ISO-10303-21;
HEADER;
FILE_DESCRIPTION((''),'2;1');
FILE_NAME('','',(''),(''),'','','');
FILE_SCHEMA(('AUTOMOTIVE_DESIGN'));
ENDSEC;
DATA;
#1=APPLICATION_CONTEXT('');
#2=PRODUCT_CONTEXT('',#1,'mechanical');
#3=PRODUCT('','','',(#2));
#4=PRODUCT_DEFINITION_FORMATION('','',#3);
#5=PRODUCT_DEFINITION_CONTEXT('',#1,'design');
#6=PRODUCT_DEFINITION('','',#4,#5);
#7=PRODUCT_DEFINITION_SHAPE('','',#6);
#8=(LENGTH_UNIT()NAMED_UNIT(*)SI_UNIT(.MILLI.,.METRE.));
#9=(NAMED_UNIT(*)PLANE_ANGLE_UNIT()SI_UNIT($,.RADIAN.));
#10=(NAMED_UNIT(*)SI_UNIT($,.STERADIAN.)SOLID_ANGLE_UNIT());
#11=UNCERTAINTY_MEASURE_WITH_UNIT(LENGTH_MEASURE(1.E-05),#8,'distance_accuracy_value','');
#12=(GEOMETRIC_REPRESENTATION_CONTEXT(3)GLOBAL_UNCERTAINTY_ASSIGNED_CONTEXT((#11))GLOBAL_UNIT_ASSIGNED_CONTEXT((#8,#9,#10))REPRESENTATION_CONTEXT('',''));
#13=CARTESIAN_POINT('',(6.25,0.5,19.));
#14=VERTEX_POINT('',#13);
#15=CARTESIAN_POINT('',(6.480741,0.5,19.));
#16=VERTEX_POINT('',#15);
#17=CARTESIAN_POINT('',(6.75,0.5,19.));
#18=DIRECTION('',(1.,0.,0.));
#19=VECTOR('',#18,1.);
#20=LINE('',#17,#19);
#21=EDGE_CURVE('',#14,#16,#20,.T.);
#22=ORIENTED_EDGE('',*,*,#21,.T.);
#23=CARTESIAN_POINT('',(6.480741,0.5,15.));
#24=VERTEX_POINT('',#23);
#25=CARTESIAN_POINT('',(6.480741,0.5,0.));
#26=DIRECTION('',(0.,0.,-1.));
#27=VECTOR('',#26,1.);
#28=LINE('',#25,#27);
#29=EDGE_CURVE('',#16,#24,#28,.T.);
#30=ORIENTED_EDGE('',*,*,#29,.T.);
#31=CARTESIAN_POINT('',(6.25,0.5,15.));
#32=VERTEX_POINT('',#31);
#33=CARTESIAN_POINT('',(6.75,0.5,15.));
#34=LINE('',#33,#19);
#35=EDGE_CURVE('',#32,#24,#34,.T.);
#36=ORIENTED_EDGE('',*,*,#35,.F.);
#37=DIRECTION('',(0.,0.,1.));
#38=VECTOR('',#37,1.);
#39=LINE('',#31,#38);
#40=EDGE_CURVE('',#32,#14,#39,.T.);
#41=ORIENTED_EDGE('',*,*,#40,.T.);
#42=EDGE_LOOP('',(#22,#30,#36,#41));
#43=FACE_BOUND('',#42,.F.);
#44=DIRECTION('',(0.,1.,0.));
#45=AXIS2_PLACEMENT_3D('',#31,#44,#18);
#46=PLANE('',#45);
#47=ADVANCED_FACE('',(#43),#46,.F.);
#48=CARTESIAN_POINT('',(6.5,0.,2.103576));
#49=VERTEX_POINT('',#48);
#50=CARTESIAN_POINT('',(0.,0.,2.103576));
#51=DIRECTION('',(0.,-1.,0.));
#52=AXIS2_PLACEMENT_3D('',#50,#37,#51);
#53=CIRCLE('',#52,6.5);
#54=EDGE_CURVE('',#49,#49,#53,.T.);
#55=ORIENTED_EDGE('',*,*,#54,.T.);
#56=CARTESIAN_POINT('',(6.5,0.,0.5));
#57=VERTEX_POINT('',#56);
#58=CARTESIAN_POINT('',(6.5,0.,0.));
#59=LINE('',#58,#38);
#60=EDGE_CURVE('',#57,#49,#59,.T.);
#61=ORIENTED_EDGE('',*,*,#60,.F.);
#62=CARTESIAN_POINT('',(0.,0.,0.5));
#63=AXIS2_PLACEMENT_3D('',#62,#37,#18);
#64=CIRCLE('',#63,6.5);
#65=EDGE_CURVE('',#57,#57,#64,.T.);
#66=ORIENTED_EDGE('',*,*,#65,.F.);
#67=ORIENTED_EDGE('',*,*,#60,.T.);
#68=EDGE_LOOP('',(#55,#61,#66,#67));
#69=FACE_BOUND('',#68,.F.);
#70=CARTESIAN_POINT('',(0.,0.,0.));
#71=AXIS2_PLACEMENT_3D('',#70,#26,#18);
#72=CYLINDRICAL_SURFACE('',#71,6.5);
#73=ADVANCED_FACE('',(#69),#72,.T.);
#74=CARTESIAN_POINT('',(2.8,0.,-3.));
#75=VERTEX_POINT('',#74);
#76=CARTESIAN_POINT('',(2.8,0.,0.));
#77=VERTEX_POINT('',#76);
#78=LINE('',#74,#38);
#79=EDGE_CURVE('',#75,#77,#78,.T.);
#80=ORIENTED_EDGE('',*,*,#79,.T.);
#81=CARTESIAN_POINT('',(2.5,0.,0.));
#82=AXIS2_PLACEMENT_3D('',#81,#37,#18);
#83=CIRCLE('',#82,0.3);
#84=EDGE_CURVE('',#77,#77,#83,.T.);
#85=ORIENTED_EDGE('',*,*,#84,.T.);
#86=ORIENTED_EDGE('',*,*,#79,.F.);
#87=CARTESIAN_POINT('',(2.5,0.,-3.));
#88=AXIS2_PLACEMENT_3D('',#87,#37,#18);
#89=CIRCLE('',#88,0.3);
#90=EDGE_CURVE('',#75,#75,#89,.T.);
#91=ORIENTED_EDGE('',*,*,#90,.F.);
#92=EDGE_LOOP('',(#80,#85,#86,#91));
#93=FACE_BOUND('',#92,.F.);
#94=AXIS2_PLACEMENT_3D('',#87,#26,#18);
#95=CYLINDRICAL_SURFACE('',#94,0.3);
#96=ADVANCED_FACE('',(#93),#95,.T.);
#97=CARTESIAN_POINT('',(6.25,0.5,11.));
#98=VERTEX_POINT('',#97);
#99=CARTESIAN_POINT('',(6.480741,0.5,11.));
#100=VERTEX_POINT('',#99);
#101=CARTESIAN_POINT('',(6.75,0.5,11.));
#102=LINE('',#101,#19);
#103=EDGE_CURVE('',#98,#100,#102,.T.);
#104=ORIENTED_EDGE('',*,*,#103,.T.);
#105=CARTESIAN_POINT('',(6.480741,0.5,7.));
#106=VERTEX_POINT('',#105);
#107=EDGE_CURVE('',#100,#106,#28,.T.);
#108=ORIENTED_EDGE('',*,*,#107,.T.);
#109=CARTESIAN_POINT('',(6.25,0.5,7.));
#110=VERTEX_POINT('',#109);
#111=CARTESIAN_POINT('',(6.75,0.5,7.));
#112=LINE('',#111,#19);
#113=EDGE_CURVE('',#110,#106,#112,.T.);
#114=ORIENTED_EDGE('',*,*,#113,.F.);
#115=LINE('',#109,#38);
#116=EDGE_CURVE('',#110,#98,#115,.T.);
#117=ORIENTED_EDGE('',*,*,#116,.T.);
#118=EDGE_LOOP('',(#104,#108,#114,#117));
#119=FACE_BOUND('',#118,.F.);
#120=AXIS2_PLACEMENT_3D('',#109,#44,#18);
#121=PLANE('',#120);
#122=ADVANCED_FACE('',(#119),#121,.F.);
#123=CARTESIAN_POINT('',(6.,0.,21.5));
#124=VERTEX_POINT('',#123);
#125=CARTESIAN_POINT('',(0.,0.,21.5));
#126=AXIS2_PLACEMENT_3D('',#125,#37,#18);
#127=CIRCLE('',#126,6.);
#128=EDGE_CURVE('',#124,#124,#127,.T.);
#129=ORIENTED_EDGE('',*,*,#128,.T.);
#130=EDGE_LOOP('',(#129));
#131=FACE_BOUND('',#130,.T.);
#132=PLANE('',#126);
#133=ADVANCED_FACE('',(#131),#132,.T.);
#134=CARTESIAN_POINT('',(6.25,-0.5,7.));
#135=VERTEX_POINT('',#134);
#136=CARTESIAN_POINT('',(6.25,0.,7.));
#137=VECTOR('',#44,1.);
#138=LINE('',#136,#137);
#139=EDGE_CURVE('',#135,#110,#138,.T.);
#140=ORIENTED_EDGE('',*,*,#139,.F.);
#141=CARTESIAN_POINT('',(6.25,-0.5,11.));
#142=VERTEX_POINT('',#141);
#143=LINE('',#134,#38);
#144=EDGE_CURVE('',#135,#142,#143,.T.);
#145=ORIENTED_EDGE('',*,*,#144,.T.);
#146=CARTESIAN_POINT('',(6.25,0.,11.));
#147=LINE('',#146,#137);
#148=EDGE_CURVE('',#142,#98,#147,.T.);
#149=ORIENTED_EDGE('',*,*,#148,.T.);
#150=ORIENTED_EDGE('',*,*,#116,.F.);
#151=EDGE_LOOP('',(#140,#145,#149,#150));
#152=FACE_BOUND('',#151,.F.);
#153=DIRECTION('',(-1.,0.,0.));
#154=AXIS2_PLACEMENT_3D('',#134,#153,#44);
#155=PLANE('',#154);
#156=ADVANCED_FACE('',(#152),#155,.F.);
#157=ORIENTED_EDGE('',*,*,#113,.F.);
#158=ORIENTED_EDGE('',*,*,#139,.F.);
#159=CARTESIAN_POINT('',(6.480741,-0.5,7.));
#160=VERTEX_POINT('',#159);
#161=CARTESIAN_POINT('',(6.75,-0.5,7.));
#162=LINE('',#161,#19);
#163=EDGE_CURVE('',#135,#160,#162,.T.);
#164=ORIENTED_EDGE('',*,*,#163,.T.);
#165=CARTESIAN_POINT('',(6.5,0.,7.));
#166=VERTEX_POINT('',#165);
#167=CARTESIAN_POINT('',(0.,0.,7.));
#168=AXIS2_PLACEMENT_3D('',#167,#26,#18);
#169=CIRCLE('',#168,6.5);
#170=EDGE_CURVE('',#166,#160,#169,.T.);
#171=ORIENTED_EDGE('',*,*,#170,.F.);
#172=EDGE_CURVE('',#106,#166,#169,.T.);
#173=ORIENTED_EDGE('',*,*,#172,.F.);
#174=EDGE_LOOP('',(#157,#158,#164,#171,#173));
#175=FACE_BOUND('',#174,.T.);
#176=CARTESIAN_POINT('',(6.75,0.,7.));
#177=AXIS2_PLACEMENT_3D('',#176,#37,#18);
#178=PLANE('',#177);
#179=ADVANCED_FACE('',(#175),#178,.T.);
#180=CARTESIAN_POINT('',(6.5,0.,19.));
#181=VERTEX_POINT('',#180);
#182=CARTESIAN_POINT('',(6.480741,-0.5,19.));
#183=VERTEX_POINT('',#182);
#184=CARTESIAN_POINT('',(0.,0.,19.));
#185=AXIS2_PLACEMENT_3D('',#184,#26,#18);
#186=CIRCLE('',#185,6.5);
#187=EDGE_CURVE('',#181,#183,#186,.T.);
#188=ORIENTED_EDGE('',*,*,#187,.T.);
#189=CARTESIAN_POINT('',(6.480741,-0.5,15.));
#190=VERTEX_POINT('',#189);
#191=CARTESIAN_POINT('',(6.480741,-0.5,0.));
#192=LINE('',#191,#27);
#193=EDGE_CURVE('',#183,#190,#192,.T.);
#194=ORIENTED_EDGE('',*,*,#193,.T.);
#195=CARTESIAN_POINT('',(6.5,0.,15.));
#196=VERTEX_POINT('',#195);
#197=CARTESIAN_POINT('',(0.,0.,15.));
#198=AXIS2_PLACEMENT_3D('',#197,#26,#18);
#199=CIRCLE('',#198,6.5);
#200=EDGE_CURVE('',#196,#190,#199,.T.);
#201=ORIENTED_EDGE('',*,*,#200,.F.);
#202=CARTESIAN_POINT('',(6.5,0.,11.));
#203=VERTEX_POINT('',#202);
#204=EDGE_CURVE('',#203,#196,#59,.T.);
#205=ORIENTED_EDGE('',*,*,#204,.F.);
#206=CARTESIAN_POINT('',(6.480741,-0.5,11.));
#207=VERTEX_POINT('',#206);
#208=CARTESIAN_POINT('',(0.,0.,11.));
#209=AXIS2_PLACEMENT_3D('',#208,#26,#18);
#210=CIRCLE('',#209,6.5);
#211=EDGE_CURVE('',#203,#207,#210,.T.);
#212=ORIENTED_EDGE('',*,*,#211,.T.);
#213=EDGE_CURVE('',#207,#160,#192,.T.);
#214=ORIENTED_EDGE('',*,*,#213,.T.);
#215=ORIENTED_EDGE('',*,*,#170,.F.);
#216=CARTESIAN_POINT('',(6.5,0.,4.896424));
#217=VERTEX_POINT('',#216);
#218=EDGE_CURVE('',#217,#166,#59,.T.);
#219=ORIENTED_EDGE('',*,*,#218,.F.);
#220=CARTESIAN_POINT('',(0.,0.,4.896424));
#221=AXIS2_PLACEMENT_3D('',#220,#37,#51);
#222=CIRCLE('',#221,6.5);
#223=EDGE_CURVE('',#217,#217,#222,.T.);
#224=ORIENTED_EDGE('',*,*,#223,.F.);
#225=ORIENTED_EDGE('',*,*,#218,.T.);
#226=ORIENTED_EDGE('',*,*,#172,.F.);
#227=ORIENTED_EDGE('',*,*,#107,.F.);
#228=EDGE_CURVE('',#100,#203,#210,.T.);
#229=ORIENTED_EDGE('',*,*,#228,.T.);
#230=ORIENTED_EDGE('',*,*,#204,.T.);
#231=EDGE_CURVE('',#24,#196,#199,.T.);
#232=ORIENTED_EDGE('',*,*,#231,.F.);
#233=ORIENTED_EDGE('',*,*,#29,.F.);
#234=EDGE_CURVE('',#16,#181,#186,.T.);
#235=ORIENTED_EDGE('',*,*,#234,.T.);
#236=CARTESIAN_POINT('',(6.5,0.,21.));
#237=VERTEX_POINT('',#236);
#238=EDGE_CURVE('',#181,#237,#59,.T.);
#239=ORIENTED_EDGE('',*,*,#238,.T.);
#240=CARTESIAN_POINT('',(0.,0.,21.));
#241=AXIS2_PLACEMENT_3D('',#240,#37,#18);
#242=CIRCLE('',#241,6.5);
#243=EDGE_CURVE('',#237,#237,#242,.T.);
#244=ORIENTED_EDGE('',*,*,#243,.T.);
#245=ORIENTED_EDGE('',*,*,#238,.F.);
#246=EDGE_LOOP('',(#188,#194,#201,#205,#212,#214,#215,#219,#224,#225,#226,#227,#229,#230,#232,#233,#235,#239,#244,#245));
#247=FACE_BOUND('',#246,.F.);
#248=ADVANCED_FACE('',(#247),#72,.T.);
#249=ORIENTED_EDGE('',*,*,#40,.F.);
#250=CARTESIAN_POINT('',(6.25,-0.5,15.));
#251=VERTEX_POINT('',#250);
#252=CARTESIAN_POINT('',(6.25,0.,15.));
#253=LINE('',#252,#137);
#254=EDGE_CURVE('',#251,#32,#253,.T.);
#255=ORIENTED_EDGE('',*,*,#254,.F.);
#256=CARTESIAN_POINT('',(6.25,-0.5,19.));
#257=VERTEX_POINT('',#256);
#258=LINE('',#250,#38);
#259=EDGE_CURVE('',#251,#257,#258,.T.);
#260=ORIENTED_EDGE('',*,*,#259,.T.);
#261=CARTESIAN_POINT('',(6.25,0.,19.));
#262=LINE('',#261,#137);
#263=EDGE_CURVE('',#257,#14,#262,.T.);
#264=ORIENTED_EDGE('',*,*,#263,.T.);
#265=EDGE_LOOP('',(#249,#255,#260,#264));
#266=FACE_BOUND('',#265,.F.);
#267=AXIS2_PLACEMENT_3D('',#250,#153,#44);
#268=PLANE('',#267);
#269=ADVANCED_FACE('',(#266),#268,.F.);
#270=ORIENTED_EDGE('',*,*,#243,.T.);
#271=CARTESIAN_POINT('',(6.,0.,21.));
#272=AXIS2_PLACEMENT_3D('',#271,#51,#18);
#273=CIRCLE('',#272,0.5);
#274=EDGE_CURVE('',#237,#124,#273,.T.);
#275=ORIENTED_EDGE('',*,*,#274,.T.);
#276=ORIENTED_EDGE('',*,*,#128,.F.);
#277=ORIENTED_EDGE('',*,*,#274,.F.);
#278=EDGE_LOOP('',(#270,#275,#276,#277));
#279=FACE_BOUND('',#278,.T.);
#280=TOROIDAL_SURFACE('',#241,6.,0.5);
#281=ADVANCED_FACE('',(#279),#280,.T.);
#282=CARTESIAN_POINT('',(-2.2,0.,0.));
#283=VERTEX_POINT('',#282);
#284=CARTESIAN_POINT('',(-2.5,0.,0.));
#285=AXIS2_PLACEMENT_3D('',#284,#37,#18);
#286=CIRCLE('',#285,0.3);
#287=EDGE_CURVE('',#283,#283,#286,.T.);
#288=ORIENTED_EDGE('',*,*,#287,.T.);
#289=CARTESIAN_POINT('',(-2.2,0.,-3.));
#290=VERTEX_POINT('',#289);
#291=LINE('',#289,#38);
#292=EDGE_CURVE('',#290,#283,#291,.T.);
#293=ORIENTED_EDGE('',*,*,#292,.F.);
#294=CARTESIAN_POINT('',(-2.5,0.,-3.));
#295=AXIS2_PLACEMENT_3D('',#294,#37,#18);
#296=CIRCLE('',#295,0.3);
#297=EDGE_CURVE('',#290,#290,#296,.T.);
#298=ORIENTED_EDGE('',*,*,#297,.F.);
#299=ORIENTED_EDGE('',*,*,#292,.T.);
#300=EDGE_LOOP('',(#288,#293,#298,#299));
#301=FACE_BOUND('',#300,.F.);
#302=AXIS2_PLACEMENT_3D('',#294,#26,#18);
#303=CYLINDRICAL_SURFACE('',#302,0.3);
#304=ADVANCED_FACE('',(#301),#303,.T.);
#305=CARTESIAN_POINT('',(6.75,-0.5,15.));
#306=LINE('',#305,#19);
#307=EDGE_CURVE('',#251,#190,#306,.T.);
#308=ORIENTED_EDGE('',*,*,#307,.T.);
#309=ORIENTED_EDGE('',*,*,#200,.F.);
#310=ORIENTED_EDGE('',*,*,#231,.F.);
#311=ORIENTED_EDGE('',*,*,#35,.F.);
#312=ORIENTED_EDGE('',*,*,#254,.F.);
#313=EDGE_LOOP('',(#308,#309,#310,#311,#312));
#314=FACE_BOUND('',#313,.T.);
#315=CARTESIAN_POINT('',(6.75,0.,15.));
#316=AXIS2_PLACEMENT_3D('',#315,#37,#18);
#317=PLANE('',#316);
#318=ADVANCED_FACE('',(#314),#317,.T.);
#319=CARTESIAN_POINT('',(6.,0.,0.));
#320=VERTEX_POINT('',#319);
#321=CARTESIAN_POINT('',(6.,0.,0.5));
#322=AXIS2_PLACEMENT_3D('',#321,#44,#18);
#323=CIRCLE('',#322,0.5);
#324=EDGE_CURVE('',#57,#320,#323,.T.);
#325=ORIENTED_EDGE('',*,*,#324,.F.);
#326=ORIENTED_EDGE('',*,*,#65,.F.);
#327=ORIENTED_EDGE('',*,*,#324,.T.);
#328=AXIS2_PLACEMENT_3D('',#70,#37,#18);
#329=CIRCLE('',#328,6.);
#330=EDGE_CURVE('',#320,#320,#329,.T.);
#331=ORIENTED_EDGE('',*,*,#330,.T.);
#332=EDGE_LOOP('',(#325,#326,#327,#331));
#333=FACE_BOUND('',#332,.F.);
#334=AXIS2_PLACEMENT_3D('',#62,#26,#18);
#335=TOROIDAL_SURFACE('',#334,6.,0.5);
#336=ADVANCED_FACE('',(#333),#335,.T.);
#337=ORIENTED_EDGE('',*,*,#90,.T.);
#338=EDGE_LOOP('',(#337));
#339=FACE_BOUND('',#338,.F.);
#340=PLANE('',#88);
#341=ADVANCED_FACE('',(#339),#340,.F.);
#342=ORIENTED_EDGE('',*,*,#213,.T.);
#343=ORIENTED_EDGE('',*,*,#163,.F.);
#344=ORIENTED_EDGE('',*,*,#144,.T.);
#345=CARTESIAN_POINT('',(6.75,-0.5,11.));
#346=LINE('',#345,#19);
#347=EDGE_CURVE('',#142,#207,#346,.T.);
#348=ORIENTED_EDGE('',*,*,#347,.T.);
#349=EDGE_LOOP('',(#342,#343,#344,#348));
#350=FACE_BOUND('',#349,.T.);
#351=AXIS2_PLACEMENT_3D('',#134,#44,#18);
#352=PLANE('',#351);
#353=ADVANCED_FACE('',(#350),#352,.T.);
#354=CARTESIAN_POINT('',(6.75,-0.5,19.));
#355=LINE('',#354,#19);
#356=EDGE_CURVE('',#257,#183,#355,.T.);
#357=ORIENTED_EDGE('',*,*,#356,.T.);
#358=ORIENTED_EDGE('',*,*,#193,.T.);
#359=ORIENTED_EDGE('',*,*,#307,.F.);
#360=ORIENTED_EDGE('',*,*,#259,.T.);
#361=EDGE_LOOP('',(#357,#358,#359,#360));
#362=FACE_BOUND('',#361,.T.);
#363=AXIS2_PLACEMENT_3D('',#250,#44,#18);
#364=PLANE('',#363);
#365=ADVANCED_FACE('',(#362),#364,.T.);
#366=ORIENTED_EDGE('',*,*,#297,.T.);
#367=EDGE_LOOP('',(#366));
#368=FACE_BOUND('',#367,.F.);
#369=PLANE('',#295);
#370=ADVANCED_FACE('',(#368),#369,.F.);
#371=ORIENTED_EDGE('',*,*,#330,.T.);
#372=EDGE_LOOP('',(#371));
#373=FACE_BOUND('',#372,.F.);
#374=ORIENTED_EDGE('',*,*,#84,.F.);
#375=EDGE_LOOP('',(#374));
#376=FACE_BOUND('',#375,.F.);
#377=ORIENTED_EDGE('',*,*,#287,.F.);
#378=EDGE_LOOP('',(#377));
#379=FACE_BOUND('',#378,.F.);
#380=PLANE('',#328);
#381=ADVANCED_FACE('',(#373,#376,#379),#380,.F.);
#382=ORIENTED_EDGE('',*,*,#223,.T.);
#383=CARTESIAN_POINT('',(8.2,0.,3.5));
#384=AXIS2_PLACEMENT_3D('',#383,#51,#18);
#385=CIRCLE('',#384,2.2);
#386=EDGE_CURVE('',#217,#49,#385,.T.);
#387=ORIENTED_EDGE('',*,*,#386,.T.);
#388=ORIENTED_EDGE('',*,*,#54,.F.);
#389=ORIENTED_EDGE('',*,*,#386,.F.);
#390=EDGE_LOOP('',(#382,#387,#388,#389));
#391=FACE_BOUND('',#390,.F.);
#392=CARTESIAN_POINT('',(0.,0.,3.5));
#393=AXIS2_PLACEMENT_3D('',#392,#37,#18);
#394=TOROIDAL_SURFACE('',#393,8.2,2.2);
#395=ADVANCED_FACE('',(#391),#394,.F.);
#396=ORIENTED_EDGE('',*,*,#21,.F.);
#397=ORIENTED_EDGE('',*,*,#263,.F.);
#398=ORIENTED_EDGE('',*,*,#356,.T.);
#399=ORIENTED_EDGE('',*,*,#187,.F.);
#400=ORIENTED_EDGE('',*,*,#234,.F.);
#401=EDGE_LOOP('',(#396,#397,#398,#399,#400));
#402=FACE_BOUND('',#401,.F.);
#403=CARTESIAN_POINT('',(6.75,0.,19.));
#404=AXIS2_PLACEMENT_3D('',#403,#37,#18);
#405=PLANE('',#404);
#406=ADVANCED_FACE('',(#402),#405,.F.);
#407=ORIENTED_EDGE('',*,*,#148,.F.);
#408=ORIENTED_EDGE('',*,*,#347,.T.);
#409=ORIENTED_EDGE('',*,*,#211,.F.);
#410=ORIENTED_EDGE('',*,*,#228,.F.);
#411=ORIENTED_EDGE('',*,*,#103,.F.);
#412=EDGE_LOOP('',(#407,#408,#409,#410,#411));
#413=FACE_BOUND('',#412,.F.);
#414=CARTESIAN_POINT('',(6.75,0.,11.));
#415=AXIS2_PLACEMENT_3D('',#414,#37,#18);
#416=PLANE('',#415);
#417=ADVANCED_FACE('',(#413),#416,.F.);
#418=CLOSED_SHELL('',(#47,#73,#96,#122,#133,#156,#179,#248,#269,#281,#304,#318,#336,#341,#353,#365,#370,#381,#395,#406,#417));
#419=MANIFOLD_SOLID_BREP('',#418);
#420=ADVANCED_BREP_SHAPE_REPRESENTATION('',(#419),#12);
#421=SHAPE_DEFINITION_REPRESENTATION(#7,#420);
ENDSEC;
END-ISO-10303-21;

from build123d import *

# Parameters (mm, degrees)
CYLINDER002_R     = 0.3
CYLINDER002_DEPTH = 3
CYLINDER001_R     = 0.3
CYLINDER001_DEPTH = 3
BOX001_W          = 1
BOX001_H          = 1
BOX001_DEPTH      = 4
BOX_W             = 1
BOX_H             = 1
BOX_DEPTH         = 4
TORUS_R           = 2.2
CYLINDER_R        = 6.5
CYLINDER_DEPTH    = 21.5
FILLET_R          = 0.5


with BuildPart() as pin2:
    # Cylinder002 → Cylinder002 (new body)
    with BuildSketch(Plane(origin=(2.5, 0, -3), x_dir=(1, 0, 0), z_dir=(0, 0, 1))):
        Circle(CYLINDER002_R)
    extrude(amount=CYLINDER002_DEPTH)


with BuildPart() as pin1:
    # Cylinder001 → Cylinder001 (new body)
    with BuildSketch(Plane(origin=(-2.5, 0, -3), x_dir=(1, 0, 0), z_dir=(0, 0, 1))):
        Circle(CYLINDER001_R)
    extrude(amount=CYLINDER001_DEPTH)


with BuildPart() as box001:
    # Box001 → Box001 (new body)
    with BuildSketch(Plane(origin=(6.25, -0.5, 15), x_dir=(1, 0, 0), z_dir=(0, 0, 1))):
        with Locations((0.5, 0.5)):
            Rectangle(BOX001_W, BOX001_H)
    extrude(amount=BOX001_DEPTH)


with BuildPart() as box:
    # Box → Box (new body)
    with BuildSketch(Plane(origin=(6.25, -0.5, 7), x_dir=(1, 0, 0), z_dir=(0, 0, 1))):
        with Locations((0.5, 0.5)):
            Rectangle(BOX_W, BOX_H)
    extrude(amount=BOX_DEPTH)


with BuildPart() as ring:
    # Torus → Torus (revolve)
    with BuildSketch(Plane(origin=(0, 0, 3.5), x_dir=(1, 0, 0), z_dir=(0, -1, 0))):
        with Locations((8.2, 0)):
            Circle(TORUS_R)
    revolve(axis=Axis((0, 0, 3.5), (0, 0, 1)))


with BuildPart() as cappr500w60d1250h2000:
    # Cylinder → Cylinder (new body)
    with BuildSketch(Plane.XY):
        Circle(CYLINDER_R)
    extrude(amount=CYLINDER_DEPTH)

    # Fillet
    fillet_edges = [cappr500w60d1250h2000.edges().sort_by_distance(p)[0] for p in [
        (-6.5, 0, 21.5),
        (-6.5, 0, 0),
    ]]
    fillet(fillet_edges, radius=FILLET_R)

    # Cut: cut Ring
    add(ring.part, mode=Mode.SUBTRACT)

    # Cut001: cut Box
    add(box.part, mode=Mode.SUBTRACT)

    # Cut002: cut Box001
    add(box001.part, mode=Mode.SUBTRACT)

    # Fusion: union Pin1+
    add(pin1.part)

    # Fusion001: union Pin2-
    add(pin2.part)


solid = cappr500w60d1250h2000.part
